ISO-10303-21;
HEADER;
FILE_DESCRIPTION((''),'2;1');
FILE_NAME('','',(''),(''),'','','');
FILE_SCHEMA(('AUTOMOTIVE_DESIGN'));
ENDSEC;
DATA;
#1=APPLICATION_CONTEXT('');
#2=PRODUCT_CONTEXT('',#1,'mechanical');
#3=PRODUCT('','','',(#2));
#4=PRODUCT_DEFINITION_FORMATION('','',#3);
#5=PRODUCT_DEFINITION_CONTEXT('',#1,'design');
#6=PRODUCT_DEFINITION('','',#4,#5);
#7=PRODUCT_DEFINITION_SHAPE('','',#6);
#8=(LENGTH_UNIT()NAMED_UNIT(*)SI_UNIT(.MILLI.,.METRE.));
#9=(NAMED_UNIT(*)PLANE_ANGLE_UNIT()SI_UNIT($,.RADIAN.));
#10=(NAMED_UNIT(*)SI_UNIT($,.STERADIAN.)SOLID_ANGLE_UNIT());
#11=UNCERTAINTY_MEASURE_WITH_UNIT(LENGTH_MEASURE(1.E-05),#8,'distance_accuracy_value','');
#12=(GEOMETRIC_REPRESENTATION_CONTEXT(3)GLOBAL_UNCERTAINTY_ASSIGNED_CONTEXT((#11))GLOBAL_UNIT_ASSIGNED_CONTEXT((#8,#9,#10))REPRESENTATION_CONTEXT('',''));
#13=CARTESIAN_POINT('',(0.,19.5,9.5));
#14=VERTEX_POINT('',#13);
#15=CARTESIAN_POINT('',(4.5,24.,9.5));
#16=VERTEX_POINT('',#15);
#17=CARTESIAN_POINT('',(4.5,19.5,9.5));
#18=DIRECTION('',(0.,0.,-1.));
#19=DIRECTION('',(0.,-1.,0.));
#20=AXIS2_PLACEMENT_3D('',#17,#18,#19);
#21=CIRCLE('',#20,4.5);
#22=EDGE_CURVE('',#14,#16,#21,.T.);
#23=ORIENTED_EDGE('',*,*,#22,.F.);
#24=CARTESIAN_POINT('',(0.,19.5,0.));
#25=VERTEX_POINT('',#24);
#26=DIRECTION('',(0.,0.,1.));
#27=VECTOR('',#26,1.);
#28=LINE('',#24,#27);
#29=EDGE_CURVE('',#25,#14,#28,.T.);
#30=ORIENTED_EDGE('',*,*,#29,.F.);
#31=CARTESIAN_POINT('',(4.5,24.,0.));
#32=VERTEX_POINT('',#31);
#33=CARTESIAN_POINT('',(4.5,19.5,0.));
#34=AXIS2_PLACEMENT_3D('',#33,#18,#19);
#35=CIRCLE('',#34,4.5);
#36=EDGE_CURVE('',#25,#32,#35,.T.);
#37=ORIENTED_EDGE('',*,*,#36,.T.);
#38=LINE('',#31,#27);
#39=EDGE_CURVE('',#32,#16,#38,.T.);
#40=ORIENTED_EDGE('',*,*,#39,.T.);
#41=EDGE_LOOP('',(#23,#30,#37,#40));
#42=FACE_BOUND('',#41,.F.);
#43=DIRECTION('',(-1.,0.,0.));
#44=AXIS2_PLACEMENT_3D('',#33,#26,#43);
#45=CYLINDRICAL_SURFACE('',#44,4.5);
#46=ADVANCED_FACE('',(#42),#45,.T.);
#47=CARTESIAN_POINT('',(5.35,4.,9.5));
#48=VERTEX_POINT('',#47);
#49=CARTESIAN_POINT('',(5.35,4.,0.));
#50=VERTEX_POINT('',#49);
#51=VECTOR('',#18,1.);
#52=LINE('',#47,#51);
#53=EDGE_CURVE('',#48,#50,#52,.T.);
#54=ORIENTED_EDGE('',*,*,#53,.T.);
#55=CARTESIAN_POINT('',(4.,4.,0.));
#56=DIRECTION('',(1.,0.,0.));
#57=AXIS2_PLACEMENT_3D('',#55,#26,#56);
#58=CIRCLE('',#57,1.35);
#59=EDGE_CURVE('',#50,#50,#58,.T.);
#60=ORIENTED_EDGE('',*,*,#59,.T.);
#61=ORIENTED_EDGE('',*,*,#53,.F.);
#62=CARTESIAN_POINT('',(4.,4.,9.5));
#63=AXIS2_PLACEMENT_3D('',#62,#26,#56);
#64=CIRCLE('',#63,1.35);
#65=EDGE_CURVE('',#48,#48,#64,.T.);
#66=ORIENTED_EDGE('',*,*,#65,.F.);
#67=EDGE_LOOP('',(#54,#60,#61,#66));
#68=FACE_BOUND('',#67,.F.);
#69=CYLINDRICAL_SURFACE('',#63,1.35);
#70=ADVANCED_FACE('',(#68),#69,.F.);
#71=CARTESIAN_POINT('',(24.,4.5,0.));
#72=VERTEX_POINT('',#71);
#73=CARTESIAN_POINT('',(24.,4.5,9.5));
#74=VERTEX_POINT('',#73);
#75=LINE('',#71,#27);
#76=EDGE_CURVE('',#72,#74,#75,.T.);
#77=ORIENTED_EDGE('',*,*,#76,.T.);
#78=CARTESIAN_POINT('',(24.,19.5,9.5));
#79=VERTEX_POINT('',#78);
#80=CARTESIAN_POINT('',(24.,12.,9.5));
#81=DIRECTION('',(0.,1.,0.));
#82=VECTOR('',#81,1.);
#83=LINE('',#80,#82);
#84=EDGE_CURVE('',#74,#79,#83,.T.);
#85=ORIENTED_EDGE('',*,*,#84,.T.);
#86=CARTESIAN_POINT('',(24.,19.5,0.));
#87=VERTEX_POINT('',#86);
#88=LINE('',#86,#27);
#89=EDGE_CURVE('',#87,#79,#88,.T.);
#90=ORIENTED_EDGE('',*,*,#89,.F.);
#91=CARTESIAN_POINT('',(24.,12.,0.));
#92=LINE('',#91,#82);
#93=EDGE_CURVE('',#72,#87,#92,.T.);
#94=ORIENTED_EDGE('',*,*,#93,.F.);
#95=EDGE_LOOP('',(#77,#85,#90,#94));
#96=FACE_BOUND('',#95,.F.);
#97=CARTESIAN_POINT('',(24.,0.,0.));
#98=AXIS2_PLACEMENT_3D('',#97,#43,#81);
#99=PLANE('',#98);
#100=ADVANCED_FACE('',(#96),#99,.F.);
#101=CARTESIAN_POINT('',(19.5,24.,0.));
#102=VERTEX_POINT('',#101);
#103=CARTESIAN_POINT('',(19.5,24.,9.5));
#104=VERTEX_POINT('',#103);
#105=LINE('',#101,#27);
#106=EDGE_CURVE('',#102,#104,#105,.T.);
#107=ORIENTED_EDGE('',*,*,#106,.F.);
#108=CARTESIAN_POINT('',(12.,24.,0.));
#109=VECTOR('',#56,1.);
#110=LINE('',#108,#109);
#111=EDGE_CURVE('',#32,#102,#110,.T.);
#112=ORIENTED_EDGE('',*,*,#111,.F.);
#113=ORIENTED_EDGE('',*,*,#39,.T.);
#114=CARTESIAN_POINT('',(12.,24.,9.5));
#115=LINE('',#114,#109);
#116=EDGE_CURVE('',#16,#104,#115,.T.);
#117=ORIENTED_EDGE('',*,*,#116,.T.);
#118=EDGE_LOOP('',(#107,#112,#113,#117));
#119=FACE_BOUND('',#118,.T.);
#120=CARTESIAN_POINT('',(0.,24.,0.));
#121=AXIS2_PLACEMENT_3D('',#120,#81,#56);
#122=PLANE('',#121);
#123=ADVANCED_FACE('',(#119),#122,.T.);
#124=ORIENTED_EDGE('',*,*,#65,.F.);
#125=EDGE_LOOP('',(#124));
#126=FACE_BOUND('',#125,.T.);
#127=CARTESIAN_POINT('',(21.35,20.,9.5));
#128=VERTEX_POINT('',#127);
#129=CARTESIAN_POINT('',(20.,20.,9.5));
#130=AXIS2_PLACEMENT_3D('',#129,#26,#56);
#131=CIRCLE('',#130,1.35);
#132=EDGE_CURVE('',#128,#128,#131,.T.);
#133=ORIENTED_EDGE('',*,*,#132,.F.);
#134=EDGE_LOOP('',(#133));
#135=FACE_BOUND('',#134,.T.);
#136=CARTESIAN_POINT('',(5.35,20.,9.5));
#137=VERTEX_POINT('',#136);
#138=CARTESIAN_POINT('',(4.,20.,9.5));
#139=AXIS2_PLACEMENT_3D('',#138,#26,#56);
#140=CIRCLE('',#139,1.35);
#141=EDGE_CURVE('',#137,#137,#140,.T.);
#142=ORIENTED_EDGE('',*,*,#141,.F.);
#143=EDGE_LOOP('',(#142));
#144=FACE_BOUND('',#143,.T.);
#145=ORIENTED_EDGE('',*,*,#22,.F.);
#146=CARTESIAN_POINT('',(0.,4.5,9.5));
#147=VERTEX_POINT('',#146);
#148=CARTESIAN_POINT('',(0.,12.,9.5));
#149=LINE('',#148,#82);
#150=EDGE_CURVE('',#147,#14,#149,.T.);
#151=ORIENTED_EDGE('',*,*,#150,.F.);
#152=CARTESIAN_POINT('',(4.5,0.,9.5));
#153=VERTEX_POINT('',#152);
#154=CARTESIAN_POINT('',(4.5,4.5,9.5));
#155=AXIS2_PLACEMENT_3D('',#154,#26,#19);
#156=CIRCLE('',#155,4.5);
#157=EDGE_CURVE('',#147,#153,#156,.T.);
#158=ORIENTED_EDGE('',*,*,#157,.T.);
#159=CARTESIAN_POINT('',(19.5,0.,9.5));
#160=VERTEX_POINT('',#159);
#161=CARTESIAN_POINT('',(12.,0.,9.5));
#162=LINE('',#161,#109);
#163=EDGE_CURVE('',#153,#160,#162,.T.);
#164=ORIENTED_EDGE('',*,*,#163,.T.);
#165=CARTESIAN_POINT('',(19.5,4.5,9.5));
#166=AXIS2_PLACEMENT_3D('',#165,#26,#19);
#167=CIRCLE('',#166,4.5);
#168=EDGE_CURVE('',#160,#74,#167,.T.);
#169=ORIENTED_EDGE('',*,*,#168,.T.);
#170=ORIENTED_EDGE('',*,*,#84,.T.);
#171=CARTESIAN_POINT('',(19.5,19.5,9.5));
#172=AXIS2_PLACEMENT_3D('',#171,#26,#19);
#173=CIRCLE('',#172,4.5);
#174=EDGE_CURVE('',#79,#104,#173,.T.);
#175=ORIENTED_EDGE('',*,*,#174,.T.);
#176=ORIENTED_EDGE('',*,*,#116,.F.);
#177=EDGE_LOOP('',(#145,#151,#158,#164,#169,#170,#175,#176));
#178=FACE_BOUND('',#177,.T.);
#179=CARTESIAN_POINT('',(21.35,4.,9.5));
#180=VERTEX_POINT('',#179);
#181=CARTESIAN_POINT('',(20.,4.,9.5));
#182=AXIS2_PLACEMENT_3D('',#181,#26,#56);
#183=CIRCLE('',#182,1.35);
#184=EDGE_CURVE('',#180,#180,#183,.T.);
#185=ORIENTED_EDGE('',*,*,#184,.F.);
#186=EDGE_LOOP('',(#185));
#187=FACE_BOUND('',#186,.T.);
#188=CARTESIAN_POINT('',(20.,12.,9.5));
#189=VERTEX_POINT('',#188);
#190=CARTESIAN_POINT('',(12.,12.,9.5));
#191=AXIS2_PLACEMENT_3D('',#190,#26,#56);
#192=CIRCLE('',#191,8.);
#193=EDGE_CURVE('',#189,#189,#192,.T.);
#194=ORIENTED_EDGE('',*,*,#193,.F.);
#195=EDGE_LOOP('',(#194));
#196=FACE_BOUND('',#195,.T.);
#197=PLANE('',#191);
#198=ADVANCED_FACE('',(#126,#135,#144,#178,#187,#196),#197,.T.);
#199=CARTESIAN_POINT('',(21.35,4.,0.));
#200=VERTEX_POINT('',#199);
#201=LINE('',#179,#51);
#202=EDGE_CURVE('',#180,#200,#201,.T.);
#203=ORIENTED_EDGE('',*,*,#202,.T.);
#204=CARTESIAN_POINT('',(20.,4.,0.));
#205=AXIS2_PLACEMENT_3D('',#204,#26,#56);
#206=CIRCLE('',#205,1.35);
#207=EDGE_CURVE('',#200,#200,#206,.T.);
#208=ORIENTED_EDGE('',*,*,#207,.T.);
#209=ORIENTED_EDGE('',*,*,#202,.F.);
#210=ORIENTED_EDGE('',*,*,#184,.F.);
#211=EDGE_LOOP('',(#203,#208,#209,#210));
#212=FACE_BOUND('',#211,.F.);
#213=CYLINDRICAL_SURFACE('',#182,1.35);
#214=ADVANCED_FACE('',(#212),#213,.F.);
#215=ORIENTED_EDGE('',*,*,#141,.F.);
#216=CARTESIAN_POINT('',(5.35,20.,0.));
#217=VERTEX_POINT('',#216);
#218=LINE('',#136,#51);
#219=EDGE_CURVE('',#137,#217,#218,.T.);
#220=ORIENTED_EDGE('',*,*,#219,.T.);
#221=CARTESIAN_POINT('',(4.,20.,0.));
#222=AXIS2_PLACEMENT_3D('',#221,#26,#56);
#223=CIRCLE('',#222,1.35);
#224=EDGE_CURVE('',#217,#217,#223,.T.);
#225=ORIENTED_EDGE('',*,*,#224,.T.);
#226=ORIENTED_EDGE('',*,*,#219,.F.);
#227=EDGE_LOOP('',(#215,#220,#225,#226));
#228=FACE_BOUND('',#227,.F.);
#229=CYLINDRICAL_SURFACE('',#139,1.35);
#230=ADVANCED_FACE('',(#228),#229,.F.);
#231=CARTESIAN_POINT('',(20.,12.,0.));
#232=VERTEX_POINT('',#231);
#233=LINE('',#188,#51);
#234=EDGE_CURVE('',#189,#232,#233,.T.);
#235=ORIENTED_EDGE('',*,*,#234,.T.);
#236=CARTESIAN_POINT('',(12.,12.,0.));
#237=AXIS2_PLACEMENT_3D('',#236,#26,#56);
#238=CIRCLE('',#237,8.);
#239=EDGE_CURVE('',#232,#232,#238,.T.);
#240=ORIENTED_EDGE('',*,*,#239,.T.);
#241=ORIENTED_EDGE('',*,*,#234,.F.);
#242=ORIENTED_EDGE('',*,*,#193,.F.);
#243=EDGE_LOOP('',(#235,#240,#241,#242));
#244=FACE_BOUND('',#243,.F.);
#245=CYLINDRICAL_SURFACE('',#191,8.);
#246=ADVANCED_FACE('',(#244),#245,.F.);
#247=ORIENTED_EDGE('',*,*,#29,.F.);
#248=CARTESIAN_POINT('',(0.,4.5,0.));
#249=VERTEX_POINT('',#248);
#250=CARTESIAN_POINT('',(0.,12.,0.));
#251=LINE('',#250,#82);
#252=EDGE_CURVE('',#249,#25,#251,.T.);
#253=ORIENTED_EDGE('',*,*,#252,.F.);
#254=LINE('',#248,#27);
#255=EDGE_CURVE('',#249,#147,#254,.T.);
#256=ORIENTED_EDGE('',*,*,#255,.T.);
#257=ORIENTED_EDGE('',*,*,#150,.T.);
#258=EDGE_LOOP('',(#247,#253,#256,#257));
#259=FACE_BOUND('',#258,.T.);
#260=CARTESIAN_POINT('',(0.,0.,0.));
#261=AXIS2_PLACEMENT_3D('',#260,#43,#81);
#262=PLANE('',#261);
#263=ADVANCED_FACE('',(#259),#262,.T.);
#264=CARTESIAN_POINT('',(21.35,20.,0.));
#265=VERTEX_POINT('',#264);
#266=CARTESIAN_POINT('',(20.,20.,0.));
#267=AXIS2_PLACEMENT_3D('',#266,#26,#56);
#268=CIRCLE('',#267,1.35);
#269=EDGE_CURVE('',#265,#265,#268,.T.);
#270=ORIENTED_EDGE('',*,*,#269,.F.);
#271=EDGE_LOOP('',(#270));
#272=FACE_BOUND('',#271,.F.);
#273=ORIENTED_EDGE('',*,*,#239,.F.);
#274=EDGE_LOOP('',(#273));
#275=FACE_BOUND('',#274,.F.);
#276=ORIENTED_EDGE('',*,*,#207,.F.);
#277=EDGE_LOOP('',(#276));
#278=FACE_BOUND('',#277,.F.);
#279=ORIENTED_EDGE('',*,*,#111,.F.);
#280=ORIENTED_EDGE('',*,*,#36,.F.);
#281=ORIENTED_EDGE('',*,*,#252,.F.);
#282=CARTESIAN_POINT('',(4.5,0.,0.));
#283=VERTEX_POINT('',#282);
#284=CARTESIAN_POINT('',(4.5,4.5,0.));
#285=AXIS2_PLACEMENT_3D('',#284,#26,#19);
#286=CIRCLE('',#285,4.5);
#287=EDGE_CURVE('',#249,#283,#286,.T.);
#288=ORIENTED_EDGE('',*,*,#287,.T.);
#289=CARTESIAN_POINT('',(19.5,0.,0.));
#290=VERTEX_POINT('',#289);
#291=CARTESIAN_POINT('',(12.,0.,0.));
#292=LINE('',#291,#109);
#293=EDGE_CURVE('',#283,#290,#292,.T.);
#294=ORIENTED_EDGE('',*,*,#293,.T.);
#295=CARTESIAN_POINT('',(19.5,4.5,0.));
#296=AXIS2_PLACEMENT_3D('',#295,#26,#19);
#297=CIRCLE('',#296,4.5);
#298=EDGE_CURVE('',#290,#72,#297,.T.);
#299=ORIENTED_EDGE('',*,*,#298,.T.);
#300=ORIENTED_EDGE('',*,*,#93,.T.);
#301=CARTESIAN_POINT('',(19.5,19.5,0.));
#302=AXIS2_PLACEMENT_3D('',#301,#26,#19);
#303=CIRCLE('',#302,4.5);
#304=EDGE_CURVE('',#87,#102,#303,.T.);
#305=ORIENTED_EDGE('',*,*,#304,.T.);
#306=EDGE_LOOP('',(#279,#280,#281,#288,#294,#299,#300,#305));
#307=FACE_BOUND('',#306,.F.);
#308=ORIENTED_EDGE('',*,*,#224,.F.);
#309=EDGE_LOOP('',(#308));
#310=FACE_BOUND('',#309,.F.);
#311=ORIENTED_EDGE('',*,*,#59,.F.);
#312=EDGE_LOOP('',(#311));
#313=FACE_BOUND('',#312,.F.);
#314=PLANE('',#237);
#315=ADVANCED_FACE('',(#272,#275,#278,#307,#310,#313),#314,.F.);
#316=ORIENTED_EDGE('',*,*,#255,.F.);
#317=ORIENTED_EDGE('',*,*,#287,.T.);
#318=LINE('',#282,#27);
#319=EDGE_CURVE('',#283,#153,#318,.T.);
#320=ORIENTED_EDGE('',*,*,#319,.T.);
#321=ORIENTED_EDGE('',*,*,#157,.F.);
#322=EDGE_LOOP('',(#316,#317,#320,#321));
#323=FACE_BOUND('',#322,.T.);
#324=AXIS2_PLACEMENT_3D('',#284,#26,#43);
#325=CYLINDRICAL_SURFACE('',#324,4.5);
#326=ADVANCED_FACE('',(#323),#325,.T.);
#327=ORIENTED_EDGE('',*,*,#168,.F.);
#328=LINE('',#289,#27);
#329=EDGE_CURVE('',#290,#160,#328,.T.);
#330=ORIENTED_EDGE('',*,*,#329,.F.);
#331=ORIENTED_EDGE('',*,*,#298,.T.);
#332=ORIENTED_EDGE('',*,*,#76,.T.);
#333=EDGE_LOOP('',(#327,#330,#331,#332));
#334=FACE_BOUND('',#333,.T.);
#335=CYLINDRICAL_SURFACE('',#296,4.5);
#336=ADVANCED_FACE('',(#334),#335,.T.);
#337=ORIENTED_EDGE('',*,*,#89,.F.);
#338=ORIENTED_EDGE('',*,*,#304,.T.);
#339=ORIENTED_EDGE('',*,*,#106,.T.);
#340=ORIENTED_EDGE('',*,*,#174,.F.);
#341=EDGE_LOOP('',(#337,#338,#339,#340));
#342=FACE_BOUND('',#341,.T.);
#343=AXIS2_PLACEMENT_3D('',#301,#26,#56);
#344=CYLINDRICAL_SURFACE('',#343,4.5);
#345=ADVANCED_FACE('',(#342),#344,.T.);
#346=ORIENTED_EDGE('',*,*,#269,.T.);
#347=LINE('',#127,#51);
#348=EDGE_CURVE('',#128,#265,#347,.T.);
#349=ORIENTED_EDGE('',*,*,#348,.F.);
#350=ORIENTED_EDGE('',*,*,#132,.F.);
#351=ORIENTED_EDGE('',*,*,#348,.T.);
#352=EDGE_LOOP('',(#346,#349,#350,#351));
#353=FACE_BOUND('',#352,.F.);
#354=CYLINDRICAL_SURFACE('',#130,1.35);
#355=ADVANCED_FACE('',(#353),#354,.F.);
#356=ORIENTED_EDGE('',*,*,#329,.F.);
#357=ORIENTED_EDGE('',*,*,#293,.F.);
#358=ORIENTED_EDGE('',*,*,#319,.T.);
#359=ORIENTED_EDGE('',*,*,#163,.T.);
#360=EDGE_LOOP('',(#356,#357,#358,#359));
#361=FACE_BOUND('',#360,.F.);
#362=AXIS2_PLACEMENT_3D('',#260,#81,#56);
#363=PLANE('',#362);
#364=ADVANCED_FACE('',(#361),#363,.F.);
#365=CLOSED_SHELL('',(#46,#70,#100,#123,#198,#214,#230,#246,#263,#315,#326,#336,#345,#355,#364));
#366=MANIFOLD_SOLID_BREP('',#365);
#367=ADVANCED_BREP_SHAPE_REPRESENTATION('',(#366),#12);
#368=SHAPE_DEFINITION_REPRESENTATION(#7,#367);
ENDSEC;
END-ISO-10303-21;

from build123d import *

# Parameters (mm, degrees)
F0_W     = 24
F0_H     = 24
F1_DEPTH = 9.5
F2_R     = 4.5
F4_R     = 8
F5_DEPTH = 9.501
F3_R     = 1.35
F6_DEPTH = 9.501


with BuildPart() as f1:
    # F0 (on Top) → F1 (new body)
    with BuildSketch(Plane.XY):
        with Locations((12, 12)):
            Rectangle(F0_W, F0_H)
    extrude(amount=F1_DEPTH)

    # F2
    f2_edges = [f1.edges().sort_by_distance(p)[0] for p in [
        (0, 0, 4.75),
        (24, 0, 4.75),
        (24, 24, 4.75),
        (0, 24, 4.75),
    ]]
    fillet(f2_edges, radius=F2_R)

    # F4 (on face) → F5 (cut, through all)
    with BuildSketch(Plane.XY.offset(9.5)):
        with Locations((12, 12)):
            Circle(F4_R)
    extrude(amount=-F5_DEPTH, mode=Mode.SUBTRACT)

    # F3 (on face) → F6 (cut, through all)
    with BuildSketch(Plane.XY.offset(9.5)):
        with Locations((4, 4)):
            Circle(F3_R)
        with Locations((4, 20)):
            Circle(F3_R)
        with Locations((20, 4)):
            Circle(F3_R)
        with Locations((20, 20)):
            Circle(F3_R)
    extrude(amount=-F6_DEPTH, mode=Mode.SUBTRACT)


solid = f1.part
